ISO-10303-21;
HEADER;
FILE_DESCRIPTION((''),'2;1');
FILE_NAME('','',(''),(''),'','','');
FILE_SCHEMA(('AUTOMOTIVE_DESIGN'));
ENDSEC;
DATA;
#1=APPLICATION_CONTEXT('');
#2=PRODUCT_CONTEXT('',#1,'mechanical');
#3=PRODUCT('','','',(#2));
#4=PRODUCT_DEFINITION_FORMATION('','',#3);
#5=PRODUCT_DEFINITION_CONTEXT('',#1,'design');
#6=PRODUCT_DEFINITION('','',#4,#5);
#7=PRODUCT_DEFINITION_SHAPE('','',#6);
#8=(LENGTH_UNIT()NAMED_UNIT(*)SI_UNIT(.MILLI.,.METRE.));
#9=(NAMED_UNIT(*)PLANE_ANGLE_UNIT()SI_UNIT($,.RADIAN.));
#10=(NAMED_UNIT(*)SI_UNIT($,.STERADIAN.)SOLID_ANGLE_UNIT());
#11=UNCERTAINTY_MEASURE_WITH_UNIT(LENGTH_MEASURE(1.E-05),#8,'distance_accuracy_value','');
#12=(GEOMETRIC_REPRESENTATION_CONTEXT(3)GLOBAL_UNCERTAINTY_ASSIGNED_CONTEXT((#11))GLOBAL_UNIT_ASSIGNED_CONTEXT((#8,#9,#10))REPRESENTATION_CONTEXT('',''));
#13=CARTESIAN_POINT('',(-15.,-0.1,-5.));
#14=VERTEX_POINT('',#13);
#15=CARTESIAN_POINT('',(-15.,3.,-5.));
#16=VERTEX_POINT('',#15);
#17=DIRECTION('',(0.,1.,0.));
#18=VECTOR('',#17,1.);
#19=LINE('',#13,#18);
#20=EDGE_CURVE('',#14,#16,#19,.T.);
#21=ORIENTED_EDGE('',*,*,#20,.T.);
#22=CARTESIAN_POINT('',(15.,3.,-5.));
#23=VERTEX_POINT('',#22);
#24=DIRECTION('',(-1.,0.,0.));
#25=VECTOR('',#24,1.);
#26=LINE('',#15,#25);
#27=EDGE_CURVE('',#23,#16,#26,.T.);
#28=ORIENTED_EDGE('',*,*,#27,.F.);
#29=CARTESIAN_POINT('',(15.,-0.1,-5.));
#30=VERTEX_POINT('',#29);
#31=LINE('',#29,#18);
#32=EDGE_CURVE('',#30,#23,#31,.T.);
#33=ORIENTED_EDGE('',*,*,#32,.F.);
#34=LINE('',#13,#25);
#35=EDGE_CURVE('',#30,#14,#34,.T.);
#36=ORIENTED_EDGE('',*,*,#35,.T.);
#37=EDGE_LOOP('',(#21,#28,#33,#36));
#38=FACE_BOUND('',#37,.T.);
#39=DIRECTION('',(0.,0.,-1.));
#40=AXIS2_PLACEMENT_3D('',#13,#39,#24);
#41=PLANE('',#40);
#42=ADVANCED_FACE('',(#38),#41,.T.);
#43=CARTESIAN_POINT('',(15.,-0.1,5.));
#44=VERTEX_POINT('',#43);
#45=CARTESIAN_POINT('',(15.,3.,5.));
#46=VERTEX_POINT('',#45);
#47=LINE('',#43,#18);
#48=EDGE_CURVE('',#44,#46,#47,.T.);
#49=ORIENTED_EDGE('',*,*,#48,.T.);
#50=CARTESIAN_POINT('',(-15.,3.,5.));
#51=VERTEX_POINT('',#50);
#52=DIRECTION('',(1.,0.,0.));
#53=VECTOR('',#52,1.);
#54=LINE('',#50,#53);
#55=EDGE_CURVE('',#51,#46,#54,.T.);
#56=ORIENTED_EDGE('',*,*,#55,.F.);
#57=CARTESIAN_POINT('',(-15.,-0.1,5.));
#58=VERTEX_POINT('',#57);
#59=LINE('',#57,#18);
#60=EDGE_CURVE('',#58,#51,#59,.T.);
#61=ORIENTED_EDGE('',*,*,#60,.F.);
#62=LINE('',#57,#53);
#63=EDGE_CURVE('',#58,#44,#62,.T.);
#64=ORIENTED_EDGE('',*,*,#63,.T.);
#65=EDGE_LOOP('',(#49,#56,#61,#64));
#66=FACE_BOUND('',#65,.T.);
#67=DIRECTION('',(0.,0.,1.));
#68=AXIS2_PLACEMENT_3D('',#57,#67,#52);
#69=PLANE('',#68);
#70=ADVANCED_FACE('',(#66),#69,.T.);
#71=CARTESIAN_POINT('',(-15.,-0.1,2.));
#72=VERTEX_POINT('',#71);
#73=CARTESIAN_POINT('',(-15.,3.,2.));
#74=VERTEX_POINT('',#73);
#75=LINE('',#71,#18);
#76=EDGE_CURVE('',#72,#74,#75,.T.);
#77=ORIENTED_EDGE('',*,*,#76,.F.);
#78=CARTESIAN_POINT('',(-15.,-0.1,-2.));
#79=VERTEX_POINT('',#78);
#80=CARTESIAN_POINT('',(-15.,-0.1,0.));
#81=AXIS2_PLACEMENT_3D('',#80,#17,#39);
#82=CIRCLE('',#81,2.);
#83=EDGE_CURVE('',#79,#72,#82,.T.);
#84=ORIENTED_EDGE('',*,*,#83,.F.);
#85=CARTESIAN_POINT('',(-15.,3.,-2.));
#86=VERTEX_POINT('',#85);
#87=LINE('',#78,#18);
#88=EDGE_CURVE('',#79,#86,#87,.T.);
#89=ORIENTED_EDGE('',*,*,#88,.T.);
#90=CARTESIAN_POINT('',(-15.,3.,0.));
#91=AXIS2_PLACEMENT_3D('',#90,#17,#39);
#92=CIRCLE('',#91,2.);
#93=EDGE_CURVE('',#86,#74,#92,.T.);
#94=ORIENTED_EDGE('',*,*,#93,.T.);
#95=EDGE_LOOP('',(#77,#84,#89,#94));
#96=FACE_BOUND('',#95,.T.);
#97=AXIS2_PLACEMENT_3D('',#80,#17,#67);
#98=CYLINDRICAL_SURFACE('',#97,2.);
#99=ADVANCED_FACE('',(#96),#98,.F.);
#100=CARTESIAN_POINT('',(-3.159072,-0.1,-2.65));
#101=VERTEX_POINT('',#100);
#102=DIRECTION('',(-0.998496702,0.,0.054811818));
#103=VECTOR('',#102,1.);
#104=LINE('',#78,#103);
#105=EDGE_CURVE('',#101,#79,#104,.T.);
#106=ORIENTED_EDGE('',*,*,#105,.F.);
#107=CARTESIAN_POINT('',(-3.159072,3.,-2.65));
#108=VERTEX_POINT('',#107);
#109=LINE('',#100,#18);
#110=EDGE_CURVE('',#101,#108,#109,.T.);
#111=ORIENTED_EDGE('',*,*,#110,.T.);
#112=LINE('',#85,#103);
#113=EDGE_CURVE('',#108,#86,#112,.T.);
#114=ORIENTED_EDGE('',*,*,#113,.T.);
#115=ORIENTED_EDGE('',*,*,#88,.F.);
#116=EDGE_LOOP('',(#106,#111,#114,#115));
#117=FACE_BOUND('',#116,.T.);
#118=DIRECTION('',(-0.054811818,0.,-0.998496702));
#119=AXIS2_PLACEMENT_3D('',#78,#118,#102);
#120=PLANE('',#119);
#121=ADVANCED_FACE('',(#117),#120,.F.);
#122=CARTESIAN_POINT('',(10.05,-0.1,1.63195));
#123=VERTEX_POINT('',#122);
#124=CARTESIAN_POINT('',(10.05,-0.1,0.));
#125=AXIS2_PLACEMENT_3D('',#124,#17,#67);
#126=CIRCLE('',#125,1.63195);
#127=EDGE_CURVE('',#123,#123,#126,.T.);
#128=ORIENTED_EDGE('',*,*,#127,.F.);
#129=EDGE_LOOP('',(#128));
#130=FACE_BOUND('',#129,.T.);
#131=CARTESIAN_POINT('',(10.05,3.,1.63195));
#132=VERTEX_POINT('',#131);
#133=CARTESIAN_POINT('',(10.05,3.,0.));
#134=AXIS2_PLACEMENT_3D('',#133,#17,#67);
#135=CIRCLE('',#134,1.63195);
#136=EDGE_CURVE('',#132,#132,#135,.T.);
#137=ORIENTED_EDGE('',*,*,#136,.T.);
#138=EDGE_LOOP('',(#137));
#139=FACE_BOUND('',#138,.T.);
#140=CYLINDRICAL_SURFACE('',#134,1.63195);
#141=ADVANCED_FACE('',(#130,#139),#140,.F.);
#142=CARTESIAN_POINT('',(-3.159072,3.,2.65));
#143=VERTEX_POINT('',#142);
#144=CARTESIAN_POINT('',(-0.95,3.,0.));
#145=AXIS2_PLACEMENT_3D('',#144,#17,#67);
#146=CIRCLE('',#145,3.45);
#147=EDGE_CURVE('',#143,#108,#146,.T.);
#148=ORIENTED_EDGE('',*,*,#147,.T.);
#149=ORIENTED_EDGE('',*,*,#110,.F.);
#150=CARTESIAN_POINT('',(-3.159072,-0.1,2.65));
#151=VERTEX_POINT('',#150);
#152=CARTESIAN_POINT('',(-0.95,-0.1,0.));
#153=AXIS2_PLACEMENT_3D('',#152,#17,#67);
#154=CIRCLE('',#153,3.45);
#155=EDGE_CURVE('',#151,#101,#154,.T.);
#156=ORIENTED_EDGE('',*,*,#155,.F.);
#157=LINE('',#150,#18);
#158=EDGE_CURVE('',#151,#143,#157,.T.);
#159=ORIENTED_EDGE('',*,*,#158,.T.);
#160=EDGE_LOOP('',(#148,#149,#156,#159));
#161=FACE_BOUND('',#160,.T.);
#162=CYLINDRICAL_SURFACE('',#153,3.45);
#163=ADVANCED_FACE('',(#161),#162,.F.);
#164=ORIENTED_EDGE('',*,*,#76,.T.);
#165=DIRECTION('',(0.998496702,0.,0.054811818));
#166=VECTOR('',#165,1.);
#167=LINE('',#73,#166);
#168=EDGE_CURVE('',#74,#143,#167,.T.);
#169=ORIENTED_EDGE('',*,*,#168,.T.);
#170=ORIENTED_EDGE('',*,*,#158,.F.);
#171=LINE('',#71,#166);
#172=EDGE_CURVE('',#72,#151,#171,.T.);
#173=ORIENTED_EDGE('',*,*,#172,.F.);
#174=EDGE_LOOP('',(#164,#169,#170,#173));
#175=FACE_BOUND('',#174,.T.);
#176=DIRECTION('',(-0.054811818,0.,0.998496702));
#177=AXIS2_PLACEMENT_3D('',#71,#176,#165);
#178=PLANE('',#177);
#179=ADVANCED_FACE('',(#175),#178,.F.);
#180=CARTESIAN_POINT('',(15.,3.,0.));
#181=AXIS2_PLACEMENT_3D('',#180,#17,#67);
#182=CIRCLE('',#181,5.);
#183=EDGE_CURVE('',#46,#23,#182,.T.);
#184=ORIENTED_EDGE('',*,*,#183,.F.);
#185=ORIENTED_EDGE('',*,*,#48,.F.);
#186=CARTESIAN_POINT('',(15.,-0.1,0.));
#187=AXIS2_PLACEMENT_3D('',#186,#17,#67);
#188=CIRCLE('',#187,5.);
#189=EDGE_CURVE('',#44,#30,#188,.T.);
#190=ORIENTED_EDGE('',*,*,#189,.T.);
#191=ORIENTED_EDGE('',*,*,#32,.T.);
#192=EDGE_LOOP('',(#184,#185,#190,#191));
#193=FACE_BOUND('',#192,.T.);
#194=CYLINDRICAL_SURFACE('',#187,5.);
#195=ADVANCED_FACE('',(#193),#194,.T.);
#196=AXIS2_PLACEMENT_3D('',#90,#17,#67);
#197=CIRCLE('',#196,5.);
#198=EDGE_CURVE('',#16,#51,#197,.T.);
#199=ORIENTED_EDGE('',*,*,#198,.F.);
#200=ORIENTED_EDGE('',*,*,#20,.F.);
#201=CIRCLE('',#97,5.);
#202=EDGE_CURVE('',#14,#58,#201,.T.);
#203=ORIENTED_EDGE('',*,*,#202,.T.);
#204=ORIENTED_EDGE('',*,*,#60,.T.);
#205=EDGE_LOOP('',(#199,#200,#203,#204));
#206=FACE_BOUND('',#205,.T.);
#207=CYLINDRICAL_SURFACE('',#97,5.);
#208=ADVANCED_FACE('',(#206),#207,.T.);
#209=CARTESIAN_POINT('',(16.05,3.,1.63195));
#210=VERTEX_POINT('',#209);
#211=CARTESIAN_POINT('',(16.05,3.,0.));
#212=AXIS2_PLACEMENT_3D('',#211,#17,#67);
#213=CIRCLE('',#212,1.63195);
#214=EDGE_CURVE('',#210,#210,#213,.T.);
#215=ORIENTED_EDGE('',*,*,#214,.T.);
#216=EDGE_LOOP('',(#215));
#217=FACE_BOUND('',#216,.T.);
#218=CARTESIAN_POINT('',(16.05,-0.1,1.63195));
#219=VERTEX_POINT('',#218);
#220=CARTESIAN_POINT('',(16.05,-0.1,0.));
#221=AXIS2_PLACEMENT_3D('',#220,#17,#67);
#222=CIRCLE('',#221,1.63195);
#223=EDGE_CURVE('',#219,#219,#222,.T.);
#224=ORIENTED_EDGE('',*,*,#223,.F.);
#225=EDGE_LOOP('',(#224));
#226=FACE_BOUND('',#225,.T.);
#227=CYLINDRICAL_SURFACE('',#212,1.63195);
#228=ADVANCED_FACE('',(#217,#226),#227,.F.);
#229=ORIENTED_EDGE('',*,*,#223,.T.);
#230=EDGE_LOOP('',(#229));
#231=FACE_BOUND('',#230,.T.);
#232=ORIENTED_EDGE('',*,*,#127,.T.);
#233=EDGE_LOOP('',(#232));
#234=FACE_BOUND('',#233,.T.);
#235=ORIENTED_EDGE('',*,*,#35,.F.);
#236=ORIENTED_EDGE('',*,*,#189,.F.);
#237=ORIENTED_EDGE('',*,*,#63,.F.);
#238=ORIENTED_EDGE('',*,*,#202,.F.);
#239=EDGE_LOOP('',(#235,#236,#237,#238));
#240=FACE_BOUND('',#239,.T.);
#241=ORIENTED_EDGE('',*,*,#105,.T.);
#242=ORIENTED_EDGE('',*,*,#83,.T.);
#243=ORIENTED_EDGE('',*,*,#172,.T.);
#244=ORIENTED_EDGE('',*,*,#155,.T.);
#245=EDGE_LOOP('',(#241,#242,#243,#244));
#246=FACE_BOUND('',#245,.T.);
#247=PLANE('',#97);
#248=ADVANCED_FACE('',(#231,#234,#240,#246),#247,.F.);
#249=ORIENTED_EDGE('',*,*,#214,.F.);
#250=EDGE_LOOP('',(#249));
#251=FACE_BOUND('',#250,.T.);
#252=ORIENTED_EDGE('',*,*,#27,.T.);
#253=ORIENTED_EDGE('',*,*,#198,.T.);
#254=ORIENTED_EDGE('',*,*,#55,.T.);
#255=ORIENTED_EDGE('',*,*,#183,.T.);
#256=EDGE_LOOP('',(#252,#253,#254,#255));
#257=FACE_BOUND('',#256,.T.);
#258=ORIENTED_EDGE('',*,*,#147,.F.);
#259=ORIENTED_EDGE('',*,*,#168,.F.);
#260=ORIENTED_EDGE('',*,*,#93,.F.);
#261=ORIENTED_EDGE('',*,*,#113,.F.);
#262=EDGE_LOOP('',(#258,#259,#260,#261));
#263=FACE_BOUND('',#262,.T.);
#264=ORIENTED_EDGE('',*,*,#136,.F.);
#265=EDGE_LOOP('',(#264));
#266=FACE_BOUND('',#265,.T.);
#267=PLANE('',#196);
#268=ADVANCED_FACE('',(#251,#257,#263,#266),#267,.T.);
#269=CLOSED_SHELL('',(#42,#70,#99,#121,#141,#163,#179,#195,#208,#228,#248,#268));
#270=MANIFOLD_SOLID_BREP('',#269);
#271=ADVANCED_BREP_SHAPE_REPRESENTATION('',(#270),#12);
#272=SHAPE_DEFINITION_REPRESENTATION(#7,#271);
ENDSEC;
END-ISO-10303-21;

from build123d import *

# Parameters (mm, degrees)
BOSS_EXTRUDE1_DEPTH      = 3
BOSS_EXTRUDE1_DEPTH_BACK = 0.1
F_4_CLEARANCE_HOLE1_D    = 3.2639


with BuildPart() as part:
    # Sketch1 → Boss-Extrude1 (new, two sides: drawn at the far end of the back side and taken through both)
    with BuildSketch(Plane(origin=(0, 0, 0), x_dir=(1, 0, 0), z_dir=(0, 1, 0)).offset(-BOSS_EXTRUDE1_DEPTH_BACK)):
        with BuildLine():
            Line((-15, 5), (15, 5))
            ThreePointArc((15, 5), (20, 0), (15, -5))
            Line((15, -5), (-15, -5))
            ThreePointArc((-15, -5), (-20, 0), (-15, 5))
        make_face()
        with BuildLine():
            Line((-15, 2), (-3.159072307, 2.649999913))
            ThreePointArc((-3.159072307, 2.649999913), (2.5, 0), (-3.159072307, -2.649999913))
            Line((-3.159072307, -2.649999913), (-15, -2))
            ThreePointArc((-15, -2), (-17, 0), (-15, 2))
        make_face(mode=Mode.SUBTRACT)
    extrude(amount=BOSS_EXTRUDE1_DEPTH + BOSS_EXTRUDE1_DEPTH_BACK)

    # #4 Clearance Hole1 (through all)
    with Locations(Plane(origin=(0, 3, 0), x_dir=(1, 0, 0), z_dir=(0, 1, 0))):
        with Locations((10.05, 0), (16.05, 0)):
            Hole(F_4_CLEARANCE_HOLE1_D / 2)


solid = part.part
